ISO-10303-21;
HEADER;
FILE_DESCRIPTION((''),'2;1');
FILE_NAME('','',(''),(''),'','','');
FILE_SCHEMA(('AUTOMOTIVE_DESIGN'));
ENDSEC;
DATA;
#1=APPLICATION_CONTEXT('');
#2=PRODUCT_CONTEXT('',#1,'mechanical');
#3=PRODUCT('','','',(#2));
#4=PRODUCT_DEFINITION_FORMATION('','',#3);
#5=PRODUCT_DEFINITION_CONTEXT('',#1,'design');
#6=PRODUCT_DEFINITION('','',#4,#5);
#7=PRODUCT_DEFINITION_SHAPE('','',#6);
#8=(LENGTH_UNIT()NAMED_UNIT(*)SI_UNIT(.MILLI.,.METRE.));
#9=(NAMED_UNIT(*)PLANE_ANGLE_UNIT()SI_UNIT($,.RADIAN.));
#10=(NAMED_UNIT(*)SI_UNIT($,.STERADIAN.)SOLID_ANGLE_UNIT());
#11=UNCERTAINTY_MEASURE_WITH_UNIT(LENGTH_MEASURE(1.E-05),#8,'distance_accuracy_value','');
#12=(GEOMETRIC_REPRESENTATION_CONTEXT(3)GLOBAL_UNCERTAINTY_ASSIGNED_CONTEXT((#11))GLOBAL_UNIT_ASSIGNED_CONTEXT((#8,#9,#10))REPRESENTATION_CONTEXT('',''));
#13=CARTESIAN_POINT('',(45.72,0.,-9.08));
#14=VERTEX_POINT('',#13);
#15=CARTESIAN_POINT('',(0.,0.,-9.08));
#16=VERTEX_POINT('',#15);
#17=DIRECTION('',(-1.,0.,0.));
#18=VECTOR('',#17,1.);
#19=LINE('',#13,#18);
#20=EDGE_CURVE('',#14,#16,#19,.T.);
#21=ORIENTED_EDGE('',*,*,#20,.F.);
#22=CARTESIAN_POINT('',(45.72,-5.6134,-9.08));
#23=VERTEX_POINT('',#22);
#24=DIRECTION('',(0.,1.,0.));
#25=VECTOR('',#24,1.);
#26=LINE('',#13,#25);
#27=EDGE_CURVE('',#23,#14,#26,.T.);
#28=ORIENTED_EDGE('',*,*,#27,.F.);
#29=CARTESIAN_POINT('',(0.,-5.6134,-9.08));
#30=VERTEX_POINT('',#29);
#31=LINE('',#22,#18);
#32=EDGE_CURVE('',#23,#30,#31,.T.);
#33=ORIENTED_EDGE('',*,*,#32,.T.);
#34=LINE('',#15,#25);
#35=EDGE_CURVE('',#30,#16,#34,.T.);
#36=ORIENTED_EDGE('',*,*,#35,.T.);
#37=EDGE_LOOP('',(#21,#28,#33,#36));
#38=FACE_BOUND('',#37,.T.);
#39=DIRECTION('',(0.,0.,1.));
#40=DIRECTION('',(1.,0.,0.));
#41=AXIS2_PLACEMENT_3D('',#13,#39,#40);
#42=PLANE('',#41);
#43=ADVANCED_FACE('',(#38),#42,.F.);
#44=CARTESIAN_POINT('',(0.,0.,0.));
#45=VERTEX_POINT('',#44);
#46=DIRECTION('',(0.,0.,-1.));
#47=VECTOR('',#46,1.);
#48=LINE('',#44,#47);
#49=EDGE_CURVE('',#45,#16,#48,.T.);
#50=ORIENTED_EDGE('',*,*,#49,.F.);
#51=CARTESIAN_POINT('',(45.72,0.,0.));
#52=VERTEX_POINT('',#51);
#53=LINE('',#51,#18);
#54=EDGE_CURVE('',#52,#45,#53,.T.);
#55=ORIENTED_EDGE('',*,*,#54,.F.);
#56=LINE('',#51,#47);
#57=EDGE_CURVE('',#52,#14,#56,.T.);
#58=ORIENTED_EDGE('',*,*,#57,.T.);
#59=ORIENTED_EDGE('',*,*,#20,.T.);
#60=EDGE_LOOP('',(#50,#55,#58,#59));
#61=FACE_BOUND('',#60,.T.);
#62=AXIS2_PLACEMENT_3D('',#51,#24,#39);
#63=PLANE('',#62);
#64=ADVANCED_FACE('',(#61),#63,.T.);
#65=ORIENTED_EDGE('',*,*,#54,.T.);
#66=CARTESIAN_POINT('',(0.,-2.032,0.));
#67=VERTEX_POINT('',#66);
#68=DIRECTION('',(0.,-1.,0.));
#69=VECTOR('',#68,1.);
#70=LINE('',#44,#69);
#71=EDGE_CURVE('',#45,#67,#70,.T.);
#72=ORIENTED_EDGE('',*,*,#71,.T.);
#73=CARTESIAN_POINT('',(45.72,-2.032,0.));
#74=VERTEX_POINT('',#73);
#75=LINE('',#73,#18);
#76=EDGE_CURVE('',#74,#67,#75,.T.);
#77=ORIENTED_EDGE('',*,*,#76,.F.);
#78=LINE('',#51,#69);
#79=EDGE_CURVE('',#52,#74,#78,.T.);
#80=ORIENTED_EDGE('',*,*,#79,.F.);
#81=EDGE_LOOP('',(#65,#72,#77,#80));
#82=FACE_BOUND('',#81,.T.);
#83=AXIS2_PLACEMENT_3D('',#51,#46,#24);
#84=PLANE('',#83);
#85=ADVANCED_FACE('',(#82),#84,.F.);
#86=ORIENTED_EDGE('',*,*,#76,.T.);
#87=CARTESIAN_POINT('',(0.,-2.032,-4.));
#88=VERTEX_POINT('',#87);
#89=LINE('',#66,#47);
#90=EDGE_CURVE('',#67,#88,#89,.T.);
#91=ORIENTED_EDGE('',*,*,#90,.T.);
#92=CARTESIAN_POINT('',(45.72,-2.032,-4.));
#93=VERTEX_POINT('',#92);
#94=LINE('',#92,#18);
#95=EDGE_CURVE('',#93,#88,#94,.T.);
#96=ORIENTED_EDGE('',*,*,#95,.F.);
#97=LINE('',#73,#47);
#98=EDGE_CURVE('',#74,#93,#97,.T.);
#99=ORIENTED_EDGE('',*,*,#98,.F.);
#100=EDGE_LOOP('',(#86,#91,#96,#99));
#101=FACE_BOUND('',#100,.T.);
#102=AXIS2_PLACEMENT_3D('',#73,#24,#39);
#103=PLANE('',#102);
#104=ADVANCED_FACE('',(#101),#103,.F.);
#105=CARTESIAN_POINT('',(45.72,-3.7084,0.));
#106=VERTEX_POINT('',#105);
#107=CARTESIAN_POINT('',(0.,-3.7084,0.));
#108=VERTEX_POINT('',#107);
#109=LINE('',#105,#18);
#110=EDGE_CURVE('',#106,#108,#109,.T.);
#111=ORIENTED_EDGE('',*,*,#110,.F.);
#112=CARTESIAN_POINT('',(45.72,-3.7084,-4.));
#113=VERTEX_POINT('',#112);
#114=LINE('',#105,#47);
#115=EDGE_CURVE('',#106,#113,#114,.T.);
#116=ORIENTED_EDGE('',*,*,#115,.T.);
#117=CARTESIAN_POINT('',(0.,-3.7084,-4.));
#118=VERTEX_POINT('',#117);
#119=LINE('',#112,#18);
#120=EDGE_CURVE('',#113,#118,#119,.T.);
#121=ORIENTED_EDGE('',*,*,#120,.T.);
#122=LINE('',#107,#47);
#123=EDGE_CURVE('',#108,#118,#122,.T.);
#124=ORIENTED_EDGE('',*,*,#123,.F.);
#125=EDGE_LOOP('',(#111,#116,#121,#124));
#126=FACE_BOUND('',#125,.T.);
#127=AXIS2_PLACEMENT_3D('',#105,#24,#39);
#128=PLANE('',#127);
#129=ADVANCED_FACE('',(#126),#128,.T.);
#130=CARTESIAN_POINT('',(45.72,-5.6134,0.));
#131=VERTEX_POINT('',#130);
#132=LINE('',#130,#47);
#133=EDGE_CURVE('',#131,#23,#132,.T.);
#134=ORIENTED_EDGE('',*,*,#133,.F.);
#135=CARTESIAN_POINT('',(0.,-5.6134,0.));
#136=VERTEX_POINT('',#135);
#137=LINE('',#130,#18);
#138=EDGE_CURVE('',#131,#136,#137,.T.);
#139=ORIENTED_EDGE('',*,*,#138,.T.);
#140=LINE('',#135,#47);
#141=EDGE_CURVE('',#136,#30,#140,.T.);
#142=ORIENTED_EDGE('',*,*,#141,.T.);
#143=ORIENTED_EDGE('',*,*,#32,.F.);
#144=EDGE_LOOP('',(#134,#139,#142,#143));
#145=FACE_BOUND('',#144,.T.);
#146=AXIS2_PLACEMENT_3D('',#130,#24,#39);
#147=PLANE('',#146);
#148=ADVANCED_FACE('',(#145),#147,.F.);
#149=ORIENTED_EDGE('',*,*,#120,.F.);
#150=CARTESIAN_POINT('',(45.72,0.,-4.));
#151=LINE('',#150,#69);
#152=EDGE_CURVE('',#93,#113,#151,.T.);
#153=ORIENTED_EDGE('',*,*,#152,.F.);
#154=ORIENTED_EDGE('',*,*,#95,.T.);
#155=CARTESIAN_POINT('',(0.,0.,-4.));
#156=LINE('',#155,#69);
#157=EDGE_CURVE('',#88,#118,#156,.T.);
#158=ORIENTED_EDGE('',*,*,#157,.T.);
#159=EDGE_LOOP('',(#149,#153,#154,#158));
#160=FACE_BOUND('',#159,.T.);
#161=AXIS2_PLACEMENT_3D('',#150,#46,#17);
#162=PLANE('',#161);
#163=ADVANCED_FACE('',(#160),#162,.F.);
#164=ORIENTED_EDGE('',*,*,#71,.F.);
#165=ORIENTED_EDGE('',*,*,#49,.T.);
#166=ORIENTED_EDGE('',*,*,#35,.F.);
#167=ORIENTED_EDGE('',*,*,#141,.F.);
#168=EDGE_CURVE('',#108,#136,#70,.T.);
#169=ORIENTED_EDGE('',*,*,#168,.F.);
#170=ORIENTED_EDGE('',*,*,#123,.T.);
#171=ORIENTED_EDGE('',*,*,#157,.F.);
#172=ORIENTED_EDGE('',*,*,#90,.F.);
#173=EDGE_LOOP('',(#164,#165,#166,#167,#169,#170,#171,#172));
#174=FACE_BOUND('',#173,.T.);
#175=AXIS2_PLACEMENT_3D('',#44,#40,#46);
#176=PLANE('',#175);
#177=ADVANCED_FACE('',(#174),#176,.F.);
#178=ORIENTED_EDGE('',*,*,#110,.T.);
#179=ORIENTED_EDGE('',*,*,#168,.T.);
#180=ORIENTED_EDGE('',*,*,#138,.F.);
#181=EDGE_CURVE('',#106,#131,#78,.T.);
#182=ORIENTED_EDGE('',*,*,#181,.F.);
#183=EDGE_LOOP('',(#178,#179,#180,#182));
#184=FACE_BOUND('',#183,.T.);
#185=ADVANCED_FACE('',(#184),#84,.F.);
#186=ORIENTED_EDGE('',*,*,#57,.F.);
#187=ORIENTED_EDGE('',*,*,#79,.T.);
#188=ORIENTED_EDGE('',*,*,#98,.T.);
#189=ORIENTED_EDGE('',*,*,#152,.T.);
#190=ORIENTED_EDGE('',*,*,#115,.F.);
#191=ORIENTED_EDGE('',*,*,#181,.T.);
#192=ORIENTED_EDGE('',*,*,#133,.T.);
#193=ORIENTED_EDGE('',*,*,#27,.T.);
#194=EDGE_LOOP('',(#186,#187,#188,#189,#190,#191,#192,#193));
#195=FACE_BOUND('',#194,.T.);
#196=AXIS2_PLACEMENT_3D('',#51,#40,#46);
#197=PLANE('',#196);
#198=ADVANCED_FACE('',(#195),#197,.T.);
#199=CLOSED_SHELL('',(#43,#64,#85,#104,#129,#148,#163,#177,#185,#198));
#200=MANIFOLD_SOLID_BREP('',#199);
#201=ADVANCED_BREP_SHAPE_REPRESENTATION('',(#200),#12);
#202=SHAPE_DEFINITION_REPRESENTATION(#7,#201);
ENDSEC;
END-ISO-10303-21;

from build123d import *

# Parameters (mm, degrees)
SKETCH1_W           = 4
SKETCH1_H           = 2.032
SKETCH1_W_2         = 5.08
SKETCH1_H_2         = 5.6134
SKETCH1_H_3         = 1.905
BOSS_EXTRUDE1_DEPTH = 45.72


with BuildPart() as part:
    # Sketch1 → Boss-Extrude1 (new body)
    with BuildSketch(Plane(origin=(0, 0, 0), x_dir=(0, 0, -1), z_dir=(1, 0, 0))):
        with Locations((2, -1.016)):
            Rectangle(SKETCH1_W, SKETCH1_H)
        with Locations((6.54, -2.8067)):
            Rectangle(SKETCH1_W_2, SKETCH1_H_2)
        with Locations((2, -4.6609)):
            Rectangle(SKETCH1_W, SKETCH1_H_3)
    extrude(amount=BOSS_EXTRUDE1_DEPTH)


solid = part.part
